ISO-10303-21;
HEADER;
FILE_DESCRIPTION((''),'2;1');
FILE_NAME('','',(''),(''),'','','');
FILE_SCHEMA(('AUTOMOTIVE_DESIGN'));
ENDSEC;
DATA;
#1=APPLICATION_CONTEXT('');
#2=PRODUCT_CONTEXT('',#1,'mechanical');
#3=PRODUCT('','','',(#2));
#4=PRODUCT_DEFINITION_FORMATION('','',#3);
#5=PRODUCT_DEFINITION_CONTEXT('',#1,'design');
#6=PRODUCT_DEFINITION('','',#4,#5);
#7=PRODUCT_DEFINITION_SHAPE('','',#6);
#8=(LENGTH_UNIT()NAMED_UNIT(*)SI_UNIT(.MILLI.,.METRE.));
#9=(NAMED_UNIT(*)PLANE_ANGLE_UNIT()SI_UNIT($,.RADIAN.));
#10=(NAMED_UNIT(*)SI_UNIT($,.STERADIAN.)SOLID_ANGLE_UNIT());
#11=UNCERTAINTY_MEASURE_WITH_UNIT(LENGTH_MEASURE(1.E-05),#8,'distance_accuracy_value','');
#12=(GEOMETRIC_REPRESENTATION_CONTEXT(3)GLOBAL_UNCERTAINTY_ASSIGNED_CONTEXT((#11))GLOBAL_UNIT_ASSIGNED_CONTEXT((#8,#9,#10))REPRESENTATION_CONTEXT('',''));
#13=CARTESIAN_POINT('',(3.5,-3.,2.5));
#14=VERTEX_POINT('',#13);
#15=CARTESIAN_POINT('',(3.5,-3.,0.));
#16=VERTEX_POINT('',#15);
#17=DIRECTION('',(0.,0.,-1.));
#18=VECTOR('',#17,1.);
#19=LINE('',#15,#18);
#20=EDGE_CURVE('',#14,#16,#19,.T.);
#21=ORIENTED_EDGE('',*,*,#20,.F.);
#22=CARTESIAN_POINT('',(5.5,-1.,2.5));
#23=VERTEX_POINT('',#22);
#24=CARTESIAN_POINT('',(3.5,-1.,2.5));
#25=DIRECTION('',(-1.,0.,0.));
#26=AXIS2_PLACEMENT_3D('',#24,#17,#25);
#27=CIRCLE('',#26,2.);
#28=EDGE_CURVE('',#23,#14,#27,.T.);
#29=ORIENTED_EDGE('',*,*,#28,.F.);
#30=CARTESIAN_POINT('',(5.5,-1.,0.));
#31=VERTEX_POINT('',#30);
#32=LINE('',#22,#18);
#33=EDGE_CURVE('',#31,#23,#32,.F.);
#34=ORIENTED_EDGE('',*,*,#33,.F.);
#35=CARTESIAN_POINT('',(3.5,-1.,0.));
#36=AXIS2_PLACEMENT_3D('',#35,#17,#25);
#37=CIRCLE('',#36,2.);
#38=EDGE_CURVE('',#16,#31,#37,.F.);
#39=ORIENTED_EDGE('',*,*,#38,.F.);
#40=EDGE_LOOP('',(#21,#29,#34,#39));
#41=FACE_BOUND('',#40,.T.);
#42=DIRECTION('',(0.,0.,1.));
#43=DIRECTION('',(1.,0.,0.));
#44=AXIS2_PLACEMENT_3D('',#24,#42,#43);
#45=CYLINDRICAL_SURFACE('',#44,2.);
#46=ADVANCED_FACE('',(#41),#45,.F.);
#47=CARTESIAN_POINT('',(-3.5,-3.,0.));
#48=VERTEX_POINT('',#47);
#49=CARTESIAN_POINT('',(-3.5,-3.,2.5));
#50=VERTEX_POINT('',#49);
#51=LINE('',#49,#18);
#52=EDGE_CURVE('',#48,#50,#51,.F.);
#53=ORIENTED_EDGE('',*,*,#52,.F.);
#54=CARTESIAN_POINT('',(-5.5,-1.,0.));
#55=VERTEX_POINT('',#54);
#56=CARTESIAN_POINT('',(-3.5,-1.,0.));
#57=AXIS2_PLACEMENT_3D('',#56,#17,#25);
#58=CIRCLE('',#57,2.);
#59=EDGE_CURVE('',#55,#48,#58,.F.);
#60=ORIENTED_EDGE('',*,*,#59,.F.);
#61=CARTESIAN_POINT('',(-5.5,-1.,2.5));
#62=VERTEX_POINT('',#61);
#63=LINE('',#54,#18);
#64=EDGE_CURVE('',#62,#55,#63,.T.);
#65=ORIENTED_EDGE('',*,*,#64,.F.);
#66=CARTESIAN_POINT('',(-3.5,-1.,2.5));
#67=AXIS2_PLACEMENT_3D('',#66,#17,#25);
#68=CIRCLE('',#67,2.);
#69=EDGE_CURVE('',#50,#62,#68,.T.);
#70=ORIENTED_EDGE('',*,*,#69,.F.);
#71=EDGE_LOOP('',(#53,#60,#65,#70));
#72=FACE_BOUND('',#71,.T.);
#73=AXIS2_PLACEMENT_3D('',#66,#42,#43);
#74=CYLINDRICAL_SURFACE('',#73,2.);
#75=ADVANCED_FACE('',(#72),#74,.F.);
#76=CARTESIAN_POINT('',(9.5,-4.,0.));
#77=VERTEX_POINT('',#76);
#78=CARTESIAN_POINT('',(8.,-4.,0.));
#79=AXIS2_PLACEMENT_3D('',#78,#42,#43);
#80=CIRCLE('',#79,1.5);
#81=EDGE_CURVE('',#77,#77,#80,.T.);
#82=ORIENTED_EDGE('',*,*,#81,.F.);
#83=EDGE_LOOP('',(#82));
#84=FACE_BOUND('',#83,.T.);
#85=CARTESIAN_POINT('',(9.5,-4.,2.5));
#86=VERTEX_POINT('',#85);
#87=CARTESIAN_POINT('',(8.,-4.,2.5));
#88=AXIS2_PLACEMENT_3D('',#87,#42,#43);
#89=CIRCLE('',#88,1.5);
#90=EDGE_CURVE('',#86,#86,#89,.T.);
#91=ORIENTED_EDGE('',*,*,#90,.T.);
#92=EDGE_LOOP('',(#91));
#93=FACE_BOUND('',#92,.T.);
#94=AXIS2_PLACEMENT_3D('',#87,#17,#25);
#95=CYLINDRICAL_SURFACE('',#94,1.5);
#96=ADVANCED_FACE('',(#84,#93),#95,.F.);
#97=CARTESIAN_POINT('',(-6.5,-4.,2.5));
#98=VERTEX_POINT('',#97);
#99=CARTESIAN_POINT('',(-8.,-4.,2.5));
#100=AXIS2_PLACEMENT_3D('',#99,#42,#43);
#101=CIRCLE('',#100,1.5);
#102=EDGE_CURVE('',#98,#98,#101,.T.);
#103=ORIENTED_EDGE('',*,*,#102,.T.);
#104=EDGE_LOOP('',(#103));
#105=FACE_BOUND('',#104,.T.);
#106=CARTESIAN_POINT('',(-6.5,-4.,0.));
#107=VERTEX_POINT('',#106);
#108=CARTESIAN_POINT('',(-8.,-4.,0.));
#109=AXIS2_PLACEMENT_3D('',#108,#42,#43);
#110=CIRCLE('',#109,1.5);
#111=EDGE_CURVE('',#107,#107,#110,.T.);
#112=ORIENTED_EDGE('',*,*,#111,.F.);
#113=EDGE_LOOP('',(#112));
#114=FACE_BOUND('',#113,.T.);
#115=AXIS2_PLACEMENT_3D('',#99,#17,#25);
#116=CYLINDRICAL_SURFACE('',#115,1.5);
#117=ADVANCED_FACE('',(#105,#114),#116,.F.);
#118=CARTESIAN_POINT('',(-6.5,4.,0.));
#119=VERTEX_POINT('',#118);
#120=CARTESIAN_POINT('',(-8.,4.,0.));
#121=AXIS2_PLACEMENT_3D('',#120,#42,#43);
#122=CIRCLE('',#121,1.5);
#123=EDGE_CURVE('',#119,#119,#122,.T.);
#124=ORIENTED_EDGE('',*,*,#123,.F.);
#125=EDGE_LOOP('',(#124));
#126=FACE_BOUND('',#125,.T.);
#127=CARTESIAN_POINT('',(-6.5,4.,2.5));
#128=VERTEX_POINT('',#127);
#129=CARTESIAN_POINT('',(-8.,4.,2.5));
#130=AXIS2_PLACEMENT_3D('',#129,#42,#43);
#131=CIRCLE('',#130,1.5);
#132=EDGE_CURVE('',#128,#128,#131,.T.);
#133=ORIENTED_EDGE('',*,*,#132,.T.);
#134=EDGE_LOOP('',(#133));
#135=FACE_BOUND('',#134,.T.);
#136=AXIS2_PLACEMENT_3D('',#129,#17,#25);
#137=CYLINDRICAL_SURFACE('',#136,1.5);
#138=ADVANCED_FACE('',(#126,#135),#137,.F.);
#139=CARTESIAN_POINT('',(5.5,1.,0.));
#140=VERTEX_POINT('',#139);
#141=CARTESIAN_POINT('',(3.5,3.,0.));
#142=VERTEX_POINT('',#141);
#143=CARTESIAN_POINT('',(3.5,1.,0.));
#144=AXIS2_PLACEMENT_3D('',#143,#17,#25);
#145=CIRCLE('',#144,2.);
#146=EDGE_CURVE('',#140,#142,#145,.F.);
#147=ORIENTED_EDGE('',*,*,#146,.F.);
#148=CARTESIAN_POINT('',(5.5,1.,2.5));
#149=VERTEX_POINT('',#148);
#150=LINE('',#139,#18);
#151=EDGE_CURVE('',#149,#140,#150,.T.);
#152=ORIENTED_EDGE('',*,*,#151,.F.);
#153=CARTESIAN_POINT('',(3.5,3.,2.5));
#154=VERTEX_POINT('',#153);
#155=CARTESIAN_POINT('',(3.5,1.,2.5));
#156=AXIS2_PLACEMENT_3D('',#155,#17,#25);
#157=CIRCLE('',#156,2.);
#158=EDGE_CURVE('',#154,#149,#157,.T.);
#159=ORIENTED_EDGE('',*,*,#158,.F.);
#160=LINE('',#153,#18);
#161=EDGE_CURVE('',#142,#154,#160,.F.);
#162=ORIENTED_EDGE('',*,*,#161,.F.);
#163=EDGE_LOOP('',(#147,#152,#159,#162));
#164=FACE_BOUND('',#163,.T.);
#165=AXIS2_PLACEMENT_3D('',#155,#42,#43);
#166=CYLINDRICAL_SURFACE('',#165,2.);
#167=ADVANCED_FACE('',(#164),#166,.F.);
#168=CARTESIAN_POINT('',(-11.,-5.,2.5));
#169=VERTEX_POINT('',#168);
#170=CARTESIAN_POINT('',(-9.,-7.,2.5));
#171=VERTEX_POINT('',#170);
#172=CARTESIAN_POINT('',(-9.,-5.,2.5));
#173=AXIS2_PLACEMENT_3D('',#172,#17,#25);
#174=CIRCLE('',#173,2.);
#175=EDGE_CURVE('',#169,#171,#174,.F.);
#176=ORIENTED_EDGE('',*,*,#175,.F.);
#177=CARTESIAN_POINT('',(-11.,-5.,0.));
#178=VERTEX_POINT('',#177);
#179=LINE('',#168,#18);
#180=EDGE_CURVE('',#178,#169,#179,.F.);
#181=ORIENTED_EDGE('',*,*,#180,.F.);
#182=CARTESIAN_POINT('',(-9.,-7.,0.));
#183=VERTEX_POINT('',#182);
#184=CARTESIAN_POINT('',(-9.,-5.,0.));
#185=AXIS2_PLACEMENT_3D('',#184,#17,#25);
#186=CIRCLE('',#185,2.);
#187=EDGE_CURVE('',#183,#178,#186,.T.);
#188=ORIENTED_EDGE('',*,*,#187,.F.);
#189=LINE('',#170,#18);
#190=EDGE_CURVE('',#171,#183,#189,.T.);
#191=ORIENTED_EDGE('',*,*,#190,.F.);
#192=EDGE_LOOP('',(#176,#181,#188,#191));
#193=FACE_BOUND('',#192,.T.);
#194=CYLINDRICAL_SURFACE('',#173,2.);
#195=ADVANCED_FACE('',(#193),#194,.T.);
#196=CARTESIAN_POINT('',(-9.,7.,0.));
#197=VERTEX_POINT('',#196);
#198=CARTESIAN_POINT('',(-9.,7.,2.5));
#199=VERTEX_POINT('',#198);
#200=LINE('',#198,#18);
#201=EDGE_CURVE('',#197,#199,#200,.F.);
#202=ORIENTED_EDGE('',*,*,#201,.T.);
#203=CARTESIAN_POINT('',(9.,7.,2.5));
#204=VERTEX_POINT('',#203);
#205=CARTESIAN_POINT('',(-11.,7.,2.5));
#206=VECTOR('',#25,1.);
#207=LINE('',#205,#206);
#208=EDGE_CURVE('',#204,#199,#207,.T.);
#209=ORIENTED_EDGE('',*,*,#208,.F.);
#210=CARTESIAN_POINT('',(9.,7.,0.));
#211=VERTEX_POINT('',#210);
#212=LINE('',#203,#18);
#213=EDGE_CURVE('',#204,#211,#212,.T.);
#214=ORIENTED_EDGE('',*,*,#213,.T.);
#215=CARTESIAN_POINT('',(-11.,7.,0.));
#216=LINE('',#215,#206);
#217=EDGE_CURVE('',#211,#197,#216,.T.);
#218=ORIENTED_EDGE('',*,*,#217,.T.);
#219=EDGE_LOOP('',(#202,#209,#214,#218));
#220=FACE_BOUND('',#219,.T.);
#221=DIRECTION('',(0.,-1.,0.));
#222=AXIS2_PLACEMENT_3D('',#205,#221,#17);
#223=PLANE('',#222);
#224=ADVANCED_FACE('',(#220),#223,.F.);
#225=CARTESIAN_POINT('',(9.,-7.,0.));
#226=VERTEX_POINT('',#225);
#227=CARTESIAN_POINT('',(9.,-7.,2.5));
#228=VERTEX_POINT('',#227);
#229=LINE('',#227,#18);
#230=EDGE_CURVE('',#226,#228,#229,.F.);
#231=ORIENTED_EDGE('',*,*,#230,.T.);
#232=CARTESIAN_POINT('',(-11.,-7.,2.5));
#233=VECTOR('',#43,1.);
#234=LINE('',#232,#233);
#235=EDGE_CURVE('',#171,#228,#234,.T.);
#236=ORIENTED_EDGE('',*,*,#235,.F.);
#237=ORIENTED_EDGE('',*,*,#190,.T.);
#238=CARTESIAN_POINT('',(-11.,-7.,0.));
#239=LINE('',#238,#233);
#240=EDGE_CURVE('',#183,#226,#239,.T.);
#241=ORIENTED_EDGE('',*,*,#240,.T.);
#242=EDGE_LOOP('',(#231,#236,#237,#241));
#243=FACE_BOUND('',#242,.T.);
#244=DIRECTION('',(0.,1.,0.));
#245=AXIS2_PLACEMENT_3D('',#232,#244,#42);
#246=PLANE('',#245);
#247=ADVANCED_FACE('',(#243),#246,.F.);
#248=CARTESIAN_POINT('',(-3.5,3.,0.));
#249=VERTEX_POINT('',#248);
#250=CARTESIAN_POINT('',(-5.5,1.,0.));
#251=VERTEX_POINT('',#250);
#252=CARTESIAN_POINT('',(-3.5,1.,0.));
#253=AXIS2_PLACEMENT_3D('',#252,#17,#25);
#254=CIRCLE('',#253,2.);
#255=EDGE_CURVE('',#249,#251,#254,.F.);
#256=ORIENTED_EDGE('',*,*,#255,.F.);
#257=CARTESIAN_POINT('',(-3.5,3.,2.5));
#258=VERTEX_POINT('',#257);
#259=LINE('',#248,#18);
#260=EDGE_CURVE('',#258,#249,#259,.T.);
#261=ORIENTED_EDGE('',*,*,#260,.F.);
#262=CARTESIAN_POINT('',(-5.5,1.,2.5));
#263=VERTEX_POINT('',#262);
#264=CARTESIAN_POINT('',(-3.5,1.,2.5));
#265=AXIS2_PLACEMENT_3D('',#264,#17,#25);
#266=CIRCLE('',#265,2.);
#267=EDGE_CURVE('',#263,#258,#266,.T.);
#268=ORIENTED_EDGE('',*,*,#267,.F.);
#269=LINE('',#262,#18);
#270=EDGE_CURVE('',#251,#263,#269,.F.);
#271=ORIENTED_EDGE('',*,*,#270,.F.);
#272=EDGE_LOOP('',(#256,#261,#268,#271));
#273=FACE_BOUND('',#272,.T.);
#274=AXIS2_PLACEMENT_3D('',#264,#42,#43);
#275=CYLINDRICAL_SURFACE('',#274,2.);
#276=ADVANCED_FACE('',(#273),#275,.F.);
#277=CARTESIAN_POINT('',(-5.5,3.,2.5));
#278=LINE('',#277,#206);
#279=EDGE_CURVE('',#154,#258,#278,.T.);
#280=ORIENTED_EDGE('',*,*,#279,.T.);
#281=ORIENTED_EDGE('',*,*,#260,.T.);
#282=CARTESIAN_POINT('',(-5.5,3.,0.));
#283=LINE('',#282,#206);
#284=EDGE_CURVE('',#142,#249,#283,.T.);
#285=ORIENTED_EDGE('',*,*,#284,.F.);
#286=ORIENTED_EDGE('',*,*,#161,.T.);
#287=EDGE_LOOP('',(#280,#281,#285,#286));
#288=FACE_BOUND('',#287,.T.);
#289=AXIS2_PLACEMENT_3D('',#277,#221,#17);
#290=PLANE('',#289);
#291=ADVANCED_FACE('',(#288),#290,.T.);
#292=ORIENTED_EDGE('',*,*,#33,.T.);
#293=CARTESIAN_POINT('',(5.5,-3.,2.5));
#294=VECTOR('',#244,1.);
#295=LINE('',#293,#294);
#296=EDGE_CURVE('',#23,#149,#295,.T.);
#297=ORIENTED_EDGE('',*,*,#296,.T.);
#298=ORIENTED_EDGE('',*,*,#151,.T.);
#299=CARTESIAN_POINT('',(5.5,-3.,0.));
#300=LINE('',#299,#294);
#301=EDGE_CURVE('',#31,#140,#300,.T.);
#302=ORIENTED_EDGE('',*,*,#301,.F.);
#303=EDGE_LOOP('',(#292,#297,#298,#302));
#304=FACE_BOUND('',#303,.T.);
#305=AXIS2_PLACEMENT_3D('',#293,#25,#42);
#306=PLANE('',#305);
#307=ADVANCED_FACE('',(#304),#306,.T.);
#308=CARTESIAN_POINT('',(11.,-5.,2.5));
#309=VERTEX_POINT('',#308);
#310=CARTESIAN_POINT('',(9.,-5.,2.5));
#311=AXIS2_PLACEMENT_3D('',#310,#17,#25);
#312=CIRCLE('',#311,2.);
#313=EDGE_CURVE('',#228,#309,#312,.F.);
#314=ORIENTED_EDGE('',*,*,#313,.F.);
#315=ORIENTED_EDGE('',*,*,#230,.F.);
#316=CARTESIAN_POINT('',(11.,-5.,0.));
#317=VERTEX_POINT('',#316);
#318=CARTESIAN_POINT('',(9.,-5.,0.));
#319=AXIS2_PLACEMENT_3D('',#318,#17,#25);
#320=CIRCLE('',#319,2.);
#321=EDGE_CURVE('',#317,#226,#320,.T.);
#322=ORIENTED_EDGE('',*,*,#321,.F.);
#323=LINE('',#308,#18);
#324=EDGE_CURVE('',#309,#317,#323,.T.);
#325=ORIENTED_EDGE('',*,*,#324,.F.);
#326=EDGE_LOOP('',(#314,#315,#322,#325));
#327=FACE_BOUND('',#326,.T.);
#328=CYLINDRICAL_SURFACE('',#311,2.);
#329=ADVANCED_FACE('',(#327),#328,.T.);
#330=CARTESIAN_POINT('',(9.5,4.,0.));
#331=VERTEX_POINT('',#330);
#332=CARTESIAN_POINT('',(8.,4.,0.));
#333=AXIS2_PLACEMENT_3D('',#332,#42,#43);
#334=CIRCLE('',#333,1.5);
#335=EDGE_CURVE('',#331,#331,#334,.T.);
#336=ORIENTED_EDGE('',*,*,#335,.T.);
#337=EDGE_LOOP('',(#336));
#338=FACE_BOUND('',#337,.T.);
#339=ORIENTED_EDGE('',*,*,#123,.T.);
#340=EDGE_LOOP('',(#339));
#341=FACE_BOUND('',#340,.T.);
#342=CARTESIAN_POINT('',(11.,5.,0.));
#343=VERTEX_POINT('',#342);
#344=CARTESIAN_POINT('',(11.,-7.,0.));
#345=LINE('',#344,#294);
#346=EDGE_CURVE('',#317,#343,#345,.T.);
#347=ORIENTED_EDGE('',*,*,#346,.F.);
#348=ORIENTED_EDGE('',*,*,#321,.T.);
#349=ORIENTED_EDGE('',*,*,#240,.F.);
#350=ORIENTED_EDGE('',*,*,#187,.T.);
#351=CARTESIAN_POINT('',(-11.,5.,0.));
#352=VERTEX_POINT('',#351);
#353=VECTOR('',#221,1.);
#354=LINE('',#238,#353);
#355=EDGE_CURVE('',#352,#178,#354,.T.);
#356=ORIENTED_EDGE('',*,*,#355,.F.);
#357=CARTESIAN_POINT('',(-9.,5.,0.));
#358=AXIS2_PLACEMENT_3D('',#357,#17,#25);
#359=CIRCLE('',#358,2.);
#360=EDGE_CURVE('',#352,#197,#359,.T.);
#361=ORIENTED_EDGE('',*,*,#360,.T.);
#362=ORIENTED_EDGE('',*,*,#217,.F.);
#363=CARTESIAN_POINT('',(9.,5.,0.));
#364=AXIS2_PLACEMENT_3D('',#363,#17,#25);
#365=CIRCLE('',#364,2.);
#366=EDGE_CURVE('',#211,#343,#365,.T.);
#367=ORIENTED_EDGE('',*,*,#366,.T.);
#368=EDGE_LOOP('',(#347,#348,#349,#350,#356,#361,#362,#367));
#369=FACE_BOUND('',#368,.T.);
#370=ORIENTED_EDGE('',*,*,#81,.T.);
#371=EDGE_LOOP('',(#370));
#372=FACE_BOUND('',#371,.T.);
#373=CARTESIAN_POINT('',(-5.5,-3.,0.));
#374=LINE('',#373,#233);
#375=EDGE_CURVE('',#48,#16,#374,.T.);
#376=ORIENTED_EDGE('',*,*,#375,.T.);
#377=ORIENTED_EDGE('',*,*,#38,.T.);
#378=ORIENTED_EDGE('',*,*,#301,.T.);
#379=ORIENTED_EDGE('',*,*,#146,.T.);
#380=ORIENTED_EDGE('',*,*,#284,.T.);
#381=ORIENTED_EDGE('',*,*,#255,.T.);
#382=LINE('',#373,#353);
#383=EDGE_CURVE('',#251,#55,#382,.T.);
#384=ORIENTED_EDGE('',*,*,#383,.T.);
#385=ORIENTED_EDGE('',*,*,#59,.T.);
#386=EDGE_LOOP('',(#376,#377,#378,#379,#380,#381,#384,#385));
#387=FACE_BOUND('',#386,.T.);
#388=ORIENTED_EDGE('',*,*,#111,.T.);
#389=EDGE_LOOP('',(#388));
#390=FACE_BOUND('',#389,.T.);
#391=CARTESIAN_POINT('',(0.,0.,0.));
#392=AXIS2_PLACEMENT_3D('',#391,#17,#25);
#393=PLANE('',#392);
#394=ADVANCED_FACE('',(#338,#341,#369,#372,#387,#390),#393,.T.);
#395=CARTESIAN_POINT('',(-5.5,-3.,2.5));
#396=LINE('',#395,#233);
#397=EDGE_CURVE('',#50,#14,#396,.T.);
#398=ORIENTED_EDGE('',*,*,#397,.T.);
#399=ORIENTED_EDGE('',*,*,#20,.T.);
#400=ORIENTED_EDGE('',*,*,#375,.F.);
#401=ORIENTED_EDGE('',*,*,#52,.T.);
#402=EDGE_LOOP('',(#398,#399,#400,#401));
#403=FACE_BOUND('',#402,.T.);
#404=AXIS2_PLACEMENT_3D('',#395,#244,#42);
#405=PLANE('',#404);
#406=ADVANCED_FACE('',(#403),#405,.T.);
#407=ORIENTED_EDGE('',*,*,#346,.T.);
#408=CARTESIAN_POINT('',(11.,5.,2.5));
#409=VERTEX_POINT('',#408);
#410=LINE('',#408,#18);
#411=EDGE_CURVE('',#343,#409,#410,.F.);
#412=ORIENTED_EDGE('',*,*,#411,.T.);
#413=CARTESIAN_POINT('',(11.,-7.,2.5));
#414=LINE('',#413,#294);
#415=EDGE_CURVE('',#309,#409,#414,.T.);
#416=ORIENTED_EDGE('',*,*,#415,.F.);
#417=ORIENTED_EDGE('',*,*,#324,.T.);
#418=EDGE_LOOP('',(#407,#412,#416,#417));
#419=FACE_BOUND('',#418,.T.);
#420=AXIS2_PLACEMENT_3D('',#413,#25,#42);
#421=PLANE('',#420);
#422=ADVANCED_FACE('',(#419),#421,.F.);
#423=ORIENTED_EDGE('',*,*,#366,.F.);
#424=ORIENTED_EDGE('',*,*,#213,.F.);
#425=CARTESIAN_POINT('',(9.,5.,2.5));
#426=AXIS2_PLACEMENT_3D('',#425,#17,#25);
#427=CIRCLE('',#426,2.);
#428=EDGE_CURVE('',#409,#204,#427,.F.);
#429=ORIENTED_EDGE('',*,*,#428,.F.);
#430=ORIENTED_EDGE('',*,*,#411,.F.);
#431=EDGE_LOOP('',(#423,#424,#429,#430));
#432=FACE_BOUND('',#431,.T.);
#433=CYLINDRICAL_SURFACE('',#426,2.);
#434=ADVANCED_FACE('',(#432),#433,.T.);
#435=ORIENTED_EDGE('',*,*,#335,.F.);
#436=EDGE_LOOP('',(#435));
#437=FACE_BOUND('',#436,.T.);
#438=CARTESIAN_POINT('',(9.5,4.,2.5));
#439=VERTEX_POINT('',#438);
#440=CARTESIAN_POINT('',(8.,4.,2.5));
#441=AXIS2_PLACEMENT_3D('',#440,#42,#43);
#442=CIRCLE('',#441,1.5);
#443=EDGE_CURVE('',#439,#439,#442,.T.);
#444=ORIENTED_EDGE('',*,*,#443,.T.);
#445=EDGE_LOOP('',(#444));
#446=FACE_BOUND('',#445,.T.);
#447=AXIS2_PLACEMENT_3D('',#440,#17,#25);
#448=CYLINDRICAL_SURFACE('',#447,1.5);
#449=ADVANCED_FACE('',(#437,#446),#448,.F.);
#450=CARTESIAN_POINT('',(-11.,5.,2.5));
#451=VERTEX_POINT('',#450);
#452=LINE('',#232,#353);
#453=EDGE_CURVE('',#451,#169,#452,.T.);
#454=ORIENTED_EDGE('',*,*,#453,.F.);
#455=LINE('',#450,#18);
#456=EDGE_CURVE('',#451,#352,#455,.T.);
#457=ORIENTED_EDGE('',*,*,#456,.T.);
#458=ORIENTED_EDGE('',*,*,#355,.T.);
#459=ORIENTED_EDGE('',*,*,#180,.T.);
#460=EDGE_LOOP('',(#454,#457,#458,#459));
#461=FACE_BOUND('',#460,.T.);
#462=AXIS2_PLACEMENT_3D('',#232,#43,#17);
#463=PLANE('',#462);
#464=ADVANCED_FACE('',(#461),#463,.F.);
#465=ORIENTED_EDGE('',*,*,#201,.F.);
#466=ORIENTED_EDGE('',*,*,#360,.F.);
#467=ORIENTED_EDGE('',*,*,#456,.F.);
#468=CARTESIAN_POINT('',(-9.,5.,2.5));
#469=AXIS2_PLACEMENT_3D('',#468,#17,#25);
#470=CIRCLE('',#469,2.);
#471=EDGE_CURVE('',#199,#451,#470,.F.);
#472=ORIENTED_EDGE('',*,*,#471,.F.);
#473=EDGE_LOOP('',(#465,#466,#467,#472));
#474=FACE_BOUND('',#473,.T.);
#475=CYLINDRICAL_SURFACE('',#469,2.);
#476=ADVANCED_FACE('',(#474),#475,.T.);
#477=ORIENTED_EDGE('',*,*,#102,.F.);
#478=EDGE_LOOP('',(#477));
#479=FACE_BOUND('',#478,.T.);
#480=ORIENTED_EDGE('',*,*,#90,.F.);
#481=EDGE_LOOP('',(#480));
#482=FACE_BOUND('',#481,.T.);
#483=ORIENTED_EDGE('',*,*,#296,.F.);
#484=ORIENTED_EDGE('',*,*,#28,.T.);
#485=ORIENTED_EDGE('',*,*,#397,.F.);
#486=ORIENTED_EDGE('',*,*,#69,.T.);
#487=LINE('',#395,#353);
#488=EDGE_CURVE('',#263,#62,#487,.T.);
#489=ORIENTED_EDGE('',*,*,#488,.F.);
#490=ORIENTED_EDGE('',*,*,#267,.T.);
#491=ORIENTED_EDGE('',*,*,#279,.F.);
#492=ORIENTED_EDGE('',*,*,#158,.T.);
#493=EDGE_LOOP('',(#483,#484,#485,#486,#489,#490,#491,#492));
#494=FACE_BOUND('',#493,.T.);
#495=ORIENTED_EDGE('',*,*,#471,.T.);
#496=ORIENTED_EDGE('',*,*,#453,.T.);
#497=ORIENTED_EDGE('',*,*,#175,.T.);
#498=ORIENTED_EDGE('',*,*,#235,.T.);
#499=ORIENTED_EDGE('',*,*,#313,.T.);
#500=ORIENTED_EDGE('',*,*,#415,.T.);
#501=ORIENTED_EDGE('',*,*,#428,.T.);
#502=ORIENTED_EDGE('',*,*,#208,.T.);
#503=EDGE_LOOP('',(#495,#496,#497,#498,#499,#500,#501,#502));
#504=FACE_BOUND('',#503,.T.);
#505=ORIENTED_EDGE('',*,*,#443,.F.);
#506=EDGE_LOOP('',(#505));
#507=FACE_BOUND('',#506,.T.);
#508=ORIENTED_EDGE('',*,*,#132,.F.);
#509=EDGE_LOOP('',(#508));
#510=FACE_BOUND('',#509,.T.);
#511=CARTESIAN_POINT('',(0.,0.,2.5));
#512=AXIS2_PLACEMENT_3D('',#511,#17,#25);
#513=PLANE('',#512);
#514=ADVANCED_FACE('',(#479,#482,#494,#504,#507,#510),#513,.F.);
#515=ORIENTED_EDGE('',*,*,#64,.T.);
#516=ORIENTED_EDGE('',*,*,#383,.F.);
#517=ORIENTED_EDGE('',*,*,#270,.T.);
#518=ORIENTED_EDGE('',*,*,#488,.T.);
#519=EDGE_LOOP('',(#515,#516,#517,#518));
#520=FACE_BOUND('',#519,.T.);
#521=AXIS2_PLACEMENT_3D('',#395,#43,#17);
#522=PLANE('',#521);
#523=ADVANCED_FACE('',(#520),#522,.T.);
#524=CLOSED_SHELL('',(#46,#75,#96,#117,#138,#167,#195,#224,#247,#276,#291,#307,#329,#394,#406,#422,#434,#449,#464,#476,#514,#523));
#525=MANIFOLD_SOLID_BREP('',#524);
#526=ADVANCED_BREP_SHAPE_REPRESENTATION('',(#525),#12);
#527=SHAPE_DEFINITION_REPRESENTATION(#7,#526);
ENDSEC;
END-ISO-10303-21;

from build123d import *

# Parameters (mm, degrees)
SKETCH_1_W      = 22
SKETCH_1_H      = 14
SKETCH_1_R      = 1.5
SKETCH_1_W_2    = 11
SKETCH_1_H_2    = 6
EXTRUDE_1_DEPTH = 2.5
FILLET_1_R      = 2


with BuildPart() as part:
    # 草图1 → 凸台-拉伸1 (new body)
    with BuildSketch(Plane.XY):
        Rectangle(SKETCH_1_W, SKETCH_1_H)
        with Locations((8, 4)):
            Circle(SKETCH_1_R, mode=Mode.SUBTRACT)
        with Locations((8, -4)):
            Circle(SKETCH_1_R, mode=Mode.SUBTRACT)
        with Locations((-8, -4)):
            Circle(SKETCH_1_R, mode=Mode.SUBTRACT)
        with Locations((-8, 4)):
            Circle(SKETCH_1_R, mode=Mode.SUBTRACT)
        Rectangle(SKETCH_1_W_2, SKETCH_1_H_2, mode=Mode.SUBTRACT)
    extrude(amount=EXTRUDE_1_DEPTH)

    # 圆角1
    fillet_1_edges = [part.edges().sort_by_distance(p)[0] for p in [
        (5.5, -3, 1.25),
        (5.5, 3, 1.25),
        (-5.5, 3, 1.25),
        (-5.5, -3, 1.25),
        (11, -7, 1.25),
        (-11, -7, 1.25),
        (-11, 7, 1.25),
        (11, 7, 1.25),
    ]]
    fillet(fillet_1_edges, radius=FILLET_1_R)


solid = part.part
